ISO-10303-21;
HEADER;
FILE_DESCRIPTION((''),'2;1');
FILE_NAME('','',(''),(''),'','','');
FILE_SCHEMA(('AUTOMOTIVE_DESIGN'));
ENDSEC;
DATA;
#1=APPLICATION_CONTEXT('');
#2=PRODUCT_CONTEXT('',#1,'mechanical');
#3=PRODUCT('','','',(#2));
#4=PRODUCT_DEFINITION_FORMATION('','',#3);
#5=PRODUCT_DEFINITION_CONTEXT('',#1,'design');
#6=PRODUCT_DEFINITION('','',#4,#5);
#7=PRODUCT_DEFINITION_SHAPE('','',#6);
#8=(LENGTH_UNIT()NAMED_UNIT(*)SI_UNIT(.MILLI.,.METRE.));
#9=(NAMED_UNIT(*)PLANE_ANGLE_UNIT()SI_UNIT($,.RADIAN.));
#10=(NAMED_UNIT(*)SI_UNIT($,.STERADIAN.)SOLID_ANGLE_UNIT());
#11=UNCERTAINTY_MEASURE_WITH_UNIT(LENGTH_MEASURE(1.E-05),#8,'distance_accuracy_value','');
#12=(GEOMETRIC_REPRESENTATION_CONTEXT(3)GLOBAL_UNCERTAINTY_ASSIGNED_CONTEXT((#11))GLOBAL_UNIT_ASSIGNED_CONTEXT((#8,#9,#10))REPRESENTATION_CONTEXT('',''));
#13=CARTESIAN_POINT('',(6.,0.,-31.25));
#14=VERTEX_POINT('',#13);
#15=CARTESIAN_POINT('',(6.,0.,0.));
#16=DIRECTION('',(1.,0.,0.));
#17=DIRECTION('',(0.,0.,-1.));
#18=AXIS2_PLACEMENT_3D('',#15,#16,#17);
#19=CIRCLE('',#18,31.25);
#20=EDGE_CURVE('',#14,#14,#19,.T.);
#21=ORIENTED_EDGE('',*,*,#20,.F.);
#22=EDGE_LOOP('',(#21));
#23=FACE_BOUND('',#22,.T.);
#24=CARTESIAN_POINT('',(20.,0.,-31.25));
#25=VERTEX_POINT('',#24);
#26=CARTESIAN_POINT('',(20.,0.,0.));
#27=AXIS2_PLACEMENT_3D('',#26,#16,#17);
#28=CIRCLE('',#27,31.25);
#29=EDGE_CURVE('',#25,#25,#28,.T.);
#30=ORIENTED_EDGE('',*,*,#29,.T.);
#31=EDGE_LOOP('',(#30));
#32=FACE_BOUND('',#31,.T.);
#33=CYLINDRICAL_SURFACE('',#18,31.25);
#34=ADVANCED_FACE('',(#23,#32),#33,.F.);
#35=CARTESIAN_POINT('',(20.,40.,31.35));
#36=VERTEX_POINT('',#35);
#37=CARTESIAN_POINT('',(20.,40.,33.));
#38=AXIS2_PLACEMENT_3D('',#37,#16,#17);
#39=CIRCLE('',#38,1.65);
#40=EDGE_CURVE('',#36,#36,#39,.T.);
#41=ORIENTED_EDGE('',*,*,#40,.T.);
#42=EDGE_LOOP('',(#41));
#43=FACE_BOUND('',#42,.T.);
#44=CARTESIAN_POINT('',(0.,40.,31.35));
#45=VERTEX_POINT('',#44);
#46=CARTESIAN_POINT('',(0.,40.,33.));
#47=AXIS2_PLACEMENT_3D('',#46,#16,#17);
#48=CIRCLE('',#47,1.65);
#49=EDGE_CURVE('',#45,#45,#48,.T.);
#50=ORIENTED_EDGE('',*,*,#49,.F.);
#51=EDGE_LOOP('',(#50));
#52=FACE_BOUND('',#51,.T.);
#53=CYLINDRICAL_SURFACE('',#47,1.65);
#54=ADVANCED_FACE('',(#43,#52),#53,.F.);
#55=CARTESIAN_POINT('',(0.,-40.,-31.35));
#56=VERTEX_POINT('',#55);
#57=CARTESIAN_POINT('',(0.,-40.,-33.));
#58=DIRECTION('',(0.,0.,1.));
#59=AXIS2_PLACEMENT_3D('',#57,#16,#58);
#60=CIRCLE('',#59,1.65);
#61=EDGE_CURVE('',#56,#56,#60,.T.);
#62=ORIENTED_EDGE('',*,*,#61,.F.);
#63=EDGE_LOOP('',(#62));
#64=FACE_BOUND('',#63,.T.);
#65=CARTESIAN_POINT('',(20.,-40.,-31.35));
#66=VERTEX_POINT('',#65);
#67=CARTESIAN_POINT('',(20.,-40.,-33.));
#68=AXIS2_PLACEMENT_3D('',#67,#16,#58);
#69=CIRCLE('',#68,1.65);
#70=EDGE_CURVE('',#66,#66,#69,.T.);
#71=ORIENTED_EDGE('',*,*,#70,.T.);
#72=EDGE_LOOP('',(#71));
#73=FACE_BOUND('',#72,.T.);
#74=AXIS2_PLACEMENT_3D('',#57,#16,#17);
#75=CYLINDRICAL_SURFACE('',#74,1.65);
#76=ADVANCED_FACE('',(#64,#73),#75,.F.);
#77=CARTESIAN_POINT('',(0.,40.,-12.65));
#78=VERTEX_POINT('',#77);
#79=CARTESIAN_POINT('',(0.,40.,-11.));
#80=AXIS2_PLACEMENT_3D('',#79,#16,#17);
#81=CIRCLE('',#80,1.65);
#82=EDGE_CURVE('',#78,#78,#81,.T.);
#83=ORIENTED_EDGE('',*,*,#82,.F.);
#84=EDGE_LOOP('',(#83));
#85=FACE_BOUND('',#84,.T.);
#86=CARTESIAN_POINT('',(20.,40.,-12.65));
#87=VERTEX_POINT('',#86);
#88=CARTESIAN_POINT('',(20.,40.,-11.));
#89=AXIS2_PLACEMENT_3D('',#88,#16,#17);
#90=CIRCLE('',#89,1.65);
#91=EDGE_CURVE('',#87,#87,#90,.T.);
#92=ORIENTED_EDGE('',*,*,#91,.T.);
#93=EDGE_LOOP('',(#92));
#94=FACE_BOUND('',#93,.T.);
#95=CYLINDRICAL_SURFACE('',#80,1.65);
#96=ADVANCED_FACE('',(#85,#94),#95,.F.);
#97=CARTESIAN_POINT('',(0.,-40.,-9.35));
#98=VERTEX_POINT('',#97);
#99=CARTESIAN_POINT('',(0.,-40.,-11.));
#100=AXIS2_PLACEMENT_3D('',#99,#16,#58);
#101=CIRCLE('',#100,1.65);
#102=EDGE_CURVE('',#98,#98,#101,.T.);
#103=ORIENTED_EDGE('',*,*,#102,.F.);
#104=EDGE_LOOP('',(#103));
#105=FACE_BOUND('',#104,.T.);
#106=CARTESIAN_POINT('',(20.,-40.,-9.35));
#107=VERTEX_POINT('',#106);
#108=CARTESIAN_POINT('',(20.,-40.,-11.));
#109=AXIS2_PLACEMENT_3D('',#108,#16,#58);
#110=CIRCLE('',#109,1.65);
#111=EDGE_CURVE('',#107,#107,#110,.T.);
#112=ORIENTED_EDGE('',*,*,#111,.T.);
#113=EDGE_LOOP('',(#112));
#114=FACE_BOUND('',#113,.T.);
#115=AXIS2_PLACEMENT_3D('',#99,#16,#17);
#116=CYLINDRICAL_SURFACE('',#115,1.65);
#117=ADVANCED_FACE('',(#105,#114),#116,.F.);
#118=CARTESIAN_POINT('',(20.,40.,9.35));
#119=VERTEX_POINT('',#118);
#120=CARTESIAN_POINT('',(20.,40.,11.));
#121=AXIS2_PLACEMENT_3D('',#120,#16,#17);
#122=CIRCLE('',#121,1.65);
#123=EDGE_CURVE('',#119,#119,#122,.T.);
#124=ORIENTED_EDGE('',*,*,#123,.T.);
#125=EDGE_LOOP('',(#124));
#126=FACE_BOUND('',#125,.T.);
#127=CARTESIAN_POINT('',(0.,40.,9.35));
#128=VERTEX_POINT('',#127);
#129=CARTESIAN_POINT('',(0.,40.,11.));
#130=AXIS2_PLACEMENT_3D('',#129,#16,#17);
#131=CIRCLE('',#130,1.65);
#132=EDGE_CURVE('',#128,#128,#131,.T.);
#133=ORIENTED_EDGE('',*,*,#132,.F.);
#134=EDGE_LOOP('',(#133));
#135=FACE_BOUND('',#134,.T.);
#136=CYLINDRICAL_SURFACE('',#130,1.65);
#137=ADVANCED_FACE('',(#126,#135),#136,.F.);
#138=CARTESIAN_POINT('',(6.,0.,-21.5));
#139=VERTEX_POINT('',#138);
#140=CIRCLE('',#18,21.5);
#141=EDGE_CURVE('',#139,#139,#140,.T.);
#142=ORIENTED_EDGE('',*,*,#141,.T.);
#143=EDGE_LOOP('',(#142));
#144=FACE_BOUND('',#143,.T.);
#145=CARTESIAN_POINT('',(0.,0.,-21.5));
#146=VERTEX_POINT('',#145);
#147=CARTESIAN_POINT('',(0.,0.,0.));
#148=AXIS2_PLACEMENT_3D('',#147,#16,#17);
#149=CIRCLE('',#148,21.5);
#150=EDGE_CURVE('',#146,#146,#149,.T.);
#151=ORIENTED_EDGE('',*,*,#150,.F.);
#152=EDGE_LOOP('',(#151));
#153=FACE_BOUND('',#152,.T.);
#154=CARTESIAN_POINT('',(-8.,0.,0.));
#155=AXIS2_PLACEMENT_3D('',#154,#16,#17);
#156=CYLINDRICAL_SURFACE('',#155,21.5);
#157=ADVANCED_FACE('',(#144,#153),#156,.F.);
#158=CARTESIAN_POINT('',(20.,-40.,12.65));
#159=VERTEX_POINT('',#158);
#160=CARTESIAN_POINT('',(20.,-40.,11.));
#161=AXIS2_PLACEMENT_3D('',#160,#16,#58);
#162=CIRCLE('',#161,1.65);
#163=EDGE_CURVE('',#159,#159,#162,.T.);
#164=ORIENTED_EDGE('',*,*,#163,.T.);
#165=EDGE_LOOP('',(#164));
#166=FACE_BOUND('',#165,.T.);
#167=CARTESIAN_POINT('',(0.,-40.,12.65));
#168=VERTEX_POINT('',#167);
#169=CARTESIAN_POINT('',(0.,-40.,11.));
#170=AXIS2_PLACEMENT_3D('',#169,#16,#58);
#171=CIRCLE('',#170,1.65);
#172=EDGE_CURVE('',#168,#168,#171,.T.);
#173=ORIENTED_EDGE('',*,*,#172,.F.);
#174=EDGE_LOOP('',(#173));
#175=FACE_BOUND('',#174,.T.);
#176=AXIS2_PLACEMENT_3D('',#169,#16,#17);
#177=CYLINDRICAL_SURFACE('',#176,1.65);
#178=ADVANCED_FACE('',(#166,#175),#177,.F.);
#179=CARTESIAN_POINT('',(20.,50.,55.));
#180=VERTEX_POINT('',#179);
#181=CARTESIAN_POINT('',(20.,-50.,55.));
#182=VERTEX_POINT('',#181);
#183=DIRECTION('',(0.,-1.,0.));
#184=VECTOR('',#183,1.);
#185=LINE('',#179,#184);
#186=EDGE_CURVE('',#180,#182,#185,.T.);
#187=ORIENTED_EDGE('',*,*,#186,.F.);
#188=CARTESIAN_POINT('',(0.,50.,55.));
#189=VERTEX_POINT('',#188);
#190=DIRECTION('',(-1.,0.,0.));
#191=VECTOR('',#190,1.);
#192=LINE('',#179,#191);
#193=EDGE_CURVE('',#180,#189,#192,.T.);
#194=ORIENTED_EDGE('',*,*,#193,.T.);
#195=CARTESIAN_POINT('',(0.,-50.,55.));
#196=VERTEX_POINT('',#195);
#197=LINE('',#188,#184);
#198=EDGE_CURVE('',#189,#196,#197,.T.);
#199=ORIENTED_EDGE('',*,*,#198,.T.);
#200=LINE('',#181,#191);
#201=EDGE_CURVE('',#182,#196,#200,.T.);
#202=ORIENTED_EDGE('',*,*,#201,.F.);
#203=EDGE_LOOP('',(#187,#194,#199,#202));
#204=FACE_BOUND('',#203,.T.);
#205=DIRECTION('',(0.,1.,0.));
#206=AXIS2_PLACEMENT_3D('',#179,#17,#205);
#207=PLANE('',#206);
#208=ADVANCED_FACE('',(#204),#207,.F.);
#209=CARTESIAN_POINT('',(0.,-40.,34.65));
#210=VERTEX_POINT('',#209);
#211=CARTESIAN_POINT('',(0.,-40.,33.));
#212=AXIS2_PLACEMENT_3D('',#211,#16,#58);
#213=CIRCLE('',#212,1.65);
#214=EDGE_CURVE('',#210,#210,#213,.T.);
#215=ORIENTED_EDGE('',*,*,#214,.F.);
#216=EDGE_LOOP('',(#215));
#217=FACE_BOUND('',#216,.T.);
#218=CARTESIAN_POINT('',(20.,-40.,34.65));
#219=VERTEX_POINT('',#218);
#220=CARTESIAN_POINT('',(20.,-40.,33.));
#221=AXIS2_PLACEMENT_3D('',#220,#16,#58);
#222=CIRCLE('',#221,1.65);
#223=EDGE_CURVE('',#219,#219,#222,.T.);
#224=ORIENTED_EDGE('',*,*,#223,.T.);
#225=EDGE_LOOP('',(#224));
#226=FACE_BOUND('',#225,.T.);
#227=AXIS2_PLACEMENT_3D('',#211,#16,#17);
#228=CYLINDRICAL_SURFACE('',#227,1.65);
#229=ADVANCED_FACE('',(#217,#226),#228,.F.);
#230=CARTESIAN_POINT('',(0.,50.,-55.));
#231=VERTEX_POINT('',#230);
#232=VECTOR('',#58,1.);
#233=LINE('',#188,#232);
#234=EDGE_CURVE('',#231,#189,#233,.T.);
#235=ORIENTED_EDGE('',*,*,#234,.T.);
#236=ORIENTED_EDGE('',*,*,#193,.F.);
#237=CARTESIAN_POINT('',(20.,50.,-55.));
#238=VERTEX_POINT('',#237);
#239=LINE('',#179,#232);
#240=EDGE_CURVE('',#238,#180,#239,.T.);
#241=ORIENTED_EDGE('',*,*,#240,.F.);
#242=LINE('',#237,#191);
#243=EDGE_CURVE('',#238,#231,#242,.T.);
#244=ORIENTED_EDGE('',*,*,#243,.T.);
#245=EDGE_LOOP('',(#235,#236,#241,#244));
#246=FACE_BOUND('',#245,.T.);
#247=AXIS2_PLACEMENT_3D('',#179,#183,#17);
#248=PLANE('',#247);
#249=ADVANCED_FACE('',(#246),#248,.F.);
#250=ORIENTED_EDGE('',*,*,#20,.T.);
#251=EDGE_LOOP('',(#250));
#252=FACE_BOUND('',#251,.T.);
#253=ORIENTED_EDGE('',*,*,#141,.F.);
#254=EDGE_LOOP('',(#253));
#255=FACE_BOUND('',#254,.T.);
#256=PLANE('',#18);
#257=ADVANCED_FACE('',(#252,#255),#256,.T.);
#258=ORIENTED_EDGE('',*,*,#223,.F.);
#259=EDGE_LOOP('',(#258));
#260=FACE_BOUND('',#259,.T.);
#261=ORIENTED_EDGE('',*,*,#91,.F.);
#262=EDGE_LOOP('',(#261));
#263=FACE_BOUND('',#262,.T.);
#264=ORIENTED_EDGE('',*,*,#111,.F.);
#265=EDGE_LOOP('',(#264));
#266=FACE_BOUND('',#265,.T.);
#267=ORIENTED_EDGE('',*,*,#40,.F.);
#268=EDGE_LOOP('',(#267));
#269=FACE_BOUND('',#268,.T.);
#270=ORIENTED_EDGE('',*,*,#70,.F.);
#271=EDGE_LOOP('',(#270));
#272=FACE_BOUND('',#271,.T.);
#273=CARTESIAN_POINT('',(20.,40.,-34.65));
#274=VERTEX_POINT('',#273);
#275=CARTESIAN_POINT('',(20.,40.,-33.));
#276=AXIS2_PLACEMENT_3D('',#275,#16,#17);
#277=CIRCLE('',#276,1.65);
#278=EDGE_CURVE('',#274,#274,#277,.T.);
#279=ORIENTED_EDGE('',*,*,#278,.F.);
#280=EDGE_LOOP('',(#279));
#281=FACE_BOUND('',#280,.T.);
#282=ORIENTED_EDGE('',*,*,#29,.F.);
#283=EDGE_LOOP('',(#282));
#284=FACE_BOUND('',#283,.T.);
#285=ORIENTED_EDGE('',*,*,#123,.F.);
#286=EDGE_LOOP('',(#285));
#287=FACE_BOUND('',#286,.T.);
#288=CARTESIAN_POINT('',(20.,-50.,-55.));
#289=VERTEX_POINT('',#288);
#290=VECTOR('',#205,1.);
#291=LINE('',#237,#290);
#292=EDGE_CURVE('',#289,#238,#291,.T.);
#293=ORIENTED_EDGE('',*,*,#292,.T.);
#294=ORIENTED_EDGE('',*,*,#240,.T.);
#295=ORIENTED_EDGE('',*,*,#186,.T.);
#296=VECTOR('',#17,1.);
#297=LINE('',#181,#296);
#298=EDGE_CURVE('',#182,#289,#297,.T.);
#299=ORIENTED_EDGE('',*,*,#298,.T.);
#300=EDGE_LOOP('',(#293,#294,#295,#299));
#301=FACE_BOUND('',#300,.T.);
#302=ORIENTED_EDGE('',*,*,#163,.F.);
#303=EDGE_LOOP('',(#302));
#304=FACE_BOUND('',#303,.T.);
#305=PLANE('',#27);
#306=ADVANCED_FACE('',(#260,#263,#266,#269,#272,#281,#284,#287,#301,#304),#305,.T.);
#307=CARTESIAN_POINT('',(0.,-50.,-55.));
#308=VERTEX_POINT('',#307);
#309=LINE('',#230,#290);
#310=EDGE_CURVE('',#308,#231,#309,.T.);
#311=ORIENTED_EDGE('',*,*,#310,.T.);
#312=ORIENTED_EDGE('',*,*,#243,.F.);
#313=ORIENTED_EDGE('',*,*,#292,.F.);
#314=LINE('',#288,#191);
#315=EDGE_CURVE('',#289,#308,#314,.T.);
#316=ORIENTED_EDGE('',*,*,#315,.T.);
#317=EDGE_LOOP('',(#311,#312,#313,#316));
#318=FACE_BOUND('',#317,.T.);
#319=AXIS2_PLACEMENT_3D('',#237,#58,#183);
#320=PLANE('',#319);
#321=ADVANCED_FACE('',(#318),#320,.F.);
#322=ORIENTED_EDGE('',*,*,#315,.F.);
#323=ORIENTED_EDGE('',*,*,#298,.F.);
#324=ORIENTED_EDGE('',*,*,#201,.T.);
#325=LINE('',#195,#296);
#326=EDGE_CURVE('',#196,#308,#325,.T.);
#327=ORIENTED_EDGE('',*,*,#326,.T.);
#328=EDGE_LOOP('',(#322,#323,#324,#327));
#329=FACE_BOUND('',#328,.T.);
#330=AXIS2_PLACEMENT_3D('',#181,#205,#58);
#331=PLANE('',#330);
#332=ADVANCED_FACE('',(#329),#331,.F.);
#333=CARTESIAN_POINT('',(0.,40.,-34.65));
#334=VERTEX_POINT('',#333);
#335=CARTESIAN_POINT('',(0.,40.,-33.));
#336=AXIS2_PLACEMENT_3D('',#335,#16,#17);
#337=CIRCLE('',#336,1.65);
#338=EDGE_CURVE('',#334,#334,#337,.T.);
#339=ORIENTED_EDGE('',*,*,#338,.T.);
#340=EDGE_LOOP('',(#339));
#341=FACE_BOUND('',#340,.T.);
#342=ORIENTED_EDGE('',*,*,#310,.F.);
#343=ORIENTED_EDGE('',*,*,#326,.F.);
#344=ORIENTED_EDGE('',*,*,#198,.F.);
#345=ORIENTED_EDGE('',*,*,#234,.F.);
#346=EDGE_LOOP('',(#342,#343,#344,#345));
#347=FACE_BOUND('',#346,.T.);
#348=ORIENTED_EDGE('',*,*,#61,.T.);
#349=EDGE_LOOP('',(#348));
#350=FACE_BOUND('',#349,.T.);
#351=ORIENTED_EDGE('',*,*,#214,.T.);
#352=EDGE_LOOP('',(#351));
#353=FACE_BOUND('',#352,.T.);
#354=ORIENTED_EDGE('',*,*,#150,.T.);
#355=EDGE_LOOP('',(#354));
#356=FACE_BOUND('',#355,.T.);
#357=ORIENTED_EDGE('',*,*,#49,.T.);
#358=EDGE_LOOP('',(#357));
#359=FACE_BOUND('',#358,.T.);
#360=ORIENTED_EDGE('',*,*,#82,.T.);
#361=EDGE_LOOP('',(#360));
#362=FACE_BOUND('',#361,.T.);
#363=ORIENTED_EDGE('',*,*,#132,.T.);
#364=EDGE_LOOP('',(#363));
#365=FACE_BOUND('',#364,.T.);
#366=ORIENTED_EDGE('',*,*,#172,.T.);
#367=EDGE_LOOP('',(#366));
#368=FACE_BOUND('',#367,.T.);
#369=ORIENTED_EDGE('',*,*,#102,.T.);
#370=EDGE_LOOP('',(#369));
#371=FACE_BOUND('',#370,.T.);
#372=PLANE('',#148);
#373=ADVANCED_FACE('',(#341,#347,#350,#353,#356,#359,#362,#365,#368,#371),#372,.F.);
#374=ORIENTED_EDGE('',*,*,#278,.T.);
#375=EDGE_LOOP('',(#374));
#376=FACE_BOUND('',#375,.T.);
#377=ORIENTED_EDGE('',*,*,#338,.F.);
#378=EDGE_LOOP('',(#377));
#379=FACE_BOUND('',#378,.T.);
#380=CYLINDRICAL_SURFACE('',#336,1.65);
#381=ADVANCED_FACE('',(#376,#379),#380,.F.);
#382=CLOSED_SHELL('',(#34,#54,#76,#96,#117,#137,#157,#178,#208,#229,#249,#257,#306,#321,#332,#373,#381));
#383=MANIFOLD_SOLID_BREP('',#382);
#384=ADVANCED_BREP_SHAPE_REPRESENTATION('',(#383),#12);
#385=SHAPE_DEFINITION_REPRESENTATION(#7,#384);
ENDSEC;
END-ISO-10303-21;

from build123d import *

# Parameters (mm, degrees)
SKETCH_1_W          = 110
SKETCH_1_H          = 100
EXTRUDE_1_DEPTH     = 20
SKETCH_2_R          = 31.25
CUT_EXTRUDE_1_DEPTH = 14
SKETCH_3_R          = 21.5
CUT_EXTRUDE_2_DEPTH = 14
SKETCH_4_R          = 1.65
CUT_EXTRUDE_3_DEPTH = 77.974021592


with BuildPart() as part:
    # 草图1 → 凸台-拉伸1 (new body)
    with BuildSketch(Plane(origin=(0, 0, 0), x_dir=(0, 0, -1), z_dir=(1, 0, 0))):
        Rectangle(SKETCH_1_W, SKETCH_1_H)
    extrude(amount=EXTRUDE_1_DEPTH)

    # 草图2 → 切除-拉伸1 (cut)
    with BuildSketch(Plane(origin=(20, 0, 0), x_dir=(0, 0, -1), z_dir=(1, 0, 0))):
        Circle(SKETCH_2_R)
    extrude(amount=-CUT_EXTRUDE_1_DEPTH, mode=Mode.SUBTRACT)

    # 草图3 → 切除-拉伸2 (cut)
    with BuildSketch(Plane(origin=(6, 0, 0), x_dir=(0, 0, -1), z_dir=(1, 0, 0))):
        Circle(SKETCH_3_R)
    extrude(amount=-CUT_EXTRUDE_2_DEPTH, mode=Mode.SUBTRACT)

    # 草图4 → 切除-拉伸3 (cut, through all)
    with BuildSketch(Plane(origin=(20, 0, 0), x_dir=(0, 0, -1), z_dir=(1, 0, 0))):
        with Locations((33, 40)):
            Circle(SKETCH_4_R)
        with Locations((11, 40)):
            Circle(SKETCH_4_R)
        with Locations((-11, 40)):
            Circle(SKETCH_4_R)
        with Locations((-33, 40)):
            Circle(SKETCH_4_R)
        with Locations(Location((-11, -40, 0), (0, 0, 180))):
            Circle(SKETCH_4_R)
        with Locations(Location((11, -40, 0), (0, 0, 180))):
            Circle(SKETCH_4_R)
        with Locations(Location((33, -40, 0), (0, 0, 180))):
            Circle(SKETCH_4_R)
        with Locations(Location((-33, -40, 0), (0, 0, 180))):
            Circle(SKETCH_4_R)
    extrude(amount=-CUT_EXTRUDE_3_DEPTH, mode=Mode.SUBTRACT)


solid = part.part
